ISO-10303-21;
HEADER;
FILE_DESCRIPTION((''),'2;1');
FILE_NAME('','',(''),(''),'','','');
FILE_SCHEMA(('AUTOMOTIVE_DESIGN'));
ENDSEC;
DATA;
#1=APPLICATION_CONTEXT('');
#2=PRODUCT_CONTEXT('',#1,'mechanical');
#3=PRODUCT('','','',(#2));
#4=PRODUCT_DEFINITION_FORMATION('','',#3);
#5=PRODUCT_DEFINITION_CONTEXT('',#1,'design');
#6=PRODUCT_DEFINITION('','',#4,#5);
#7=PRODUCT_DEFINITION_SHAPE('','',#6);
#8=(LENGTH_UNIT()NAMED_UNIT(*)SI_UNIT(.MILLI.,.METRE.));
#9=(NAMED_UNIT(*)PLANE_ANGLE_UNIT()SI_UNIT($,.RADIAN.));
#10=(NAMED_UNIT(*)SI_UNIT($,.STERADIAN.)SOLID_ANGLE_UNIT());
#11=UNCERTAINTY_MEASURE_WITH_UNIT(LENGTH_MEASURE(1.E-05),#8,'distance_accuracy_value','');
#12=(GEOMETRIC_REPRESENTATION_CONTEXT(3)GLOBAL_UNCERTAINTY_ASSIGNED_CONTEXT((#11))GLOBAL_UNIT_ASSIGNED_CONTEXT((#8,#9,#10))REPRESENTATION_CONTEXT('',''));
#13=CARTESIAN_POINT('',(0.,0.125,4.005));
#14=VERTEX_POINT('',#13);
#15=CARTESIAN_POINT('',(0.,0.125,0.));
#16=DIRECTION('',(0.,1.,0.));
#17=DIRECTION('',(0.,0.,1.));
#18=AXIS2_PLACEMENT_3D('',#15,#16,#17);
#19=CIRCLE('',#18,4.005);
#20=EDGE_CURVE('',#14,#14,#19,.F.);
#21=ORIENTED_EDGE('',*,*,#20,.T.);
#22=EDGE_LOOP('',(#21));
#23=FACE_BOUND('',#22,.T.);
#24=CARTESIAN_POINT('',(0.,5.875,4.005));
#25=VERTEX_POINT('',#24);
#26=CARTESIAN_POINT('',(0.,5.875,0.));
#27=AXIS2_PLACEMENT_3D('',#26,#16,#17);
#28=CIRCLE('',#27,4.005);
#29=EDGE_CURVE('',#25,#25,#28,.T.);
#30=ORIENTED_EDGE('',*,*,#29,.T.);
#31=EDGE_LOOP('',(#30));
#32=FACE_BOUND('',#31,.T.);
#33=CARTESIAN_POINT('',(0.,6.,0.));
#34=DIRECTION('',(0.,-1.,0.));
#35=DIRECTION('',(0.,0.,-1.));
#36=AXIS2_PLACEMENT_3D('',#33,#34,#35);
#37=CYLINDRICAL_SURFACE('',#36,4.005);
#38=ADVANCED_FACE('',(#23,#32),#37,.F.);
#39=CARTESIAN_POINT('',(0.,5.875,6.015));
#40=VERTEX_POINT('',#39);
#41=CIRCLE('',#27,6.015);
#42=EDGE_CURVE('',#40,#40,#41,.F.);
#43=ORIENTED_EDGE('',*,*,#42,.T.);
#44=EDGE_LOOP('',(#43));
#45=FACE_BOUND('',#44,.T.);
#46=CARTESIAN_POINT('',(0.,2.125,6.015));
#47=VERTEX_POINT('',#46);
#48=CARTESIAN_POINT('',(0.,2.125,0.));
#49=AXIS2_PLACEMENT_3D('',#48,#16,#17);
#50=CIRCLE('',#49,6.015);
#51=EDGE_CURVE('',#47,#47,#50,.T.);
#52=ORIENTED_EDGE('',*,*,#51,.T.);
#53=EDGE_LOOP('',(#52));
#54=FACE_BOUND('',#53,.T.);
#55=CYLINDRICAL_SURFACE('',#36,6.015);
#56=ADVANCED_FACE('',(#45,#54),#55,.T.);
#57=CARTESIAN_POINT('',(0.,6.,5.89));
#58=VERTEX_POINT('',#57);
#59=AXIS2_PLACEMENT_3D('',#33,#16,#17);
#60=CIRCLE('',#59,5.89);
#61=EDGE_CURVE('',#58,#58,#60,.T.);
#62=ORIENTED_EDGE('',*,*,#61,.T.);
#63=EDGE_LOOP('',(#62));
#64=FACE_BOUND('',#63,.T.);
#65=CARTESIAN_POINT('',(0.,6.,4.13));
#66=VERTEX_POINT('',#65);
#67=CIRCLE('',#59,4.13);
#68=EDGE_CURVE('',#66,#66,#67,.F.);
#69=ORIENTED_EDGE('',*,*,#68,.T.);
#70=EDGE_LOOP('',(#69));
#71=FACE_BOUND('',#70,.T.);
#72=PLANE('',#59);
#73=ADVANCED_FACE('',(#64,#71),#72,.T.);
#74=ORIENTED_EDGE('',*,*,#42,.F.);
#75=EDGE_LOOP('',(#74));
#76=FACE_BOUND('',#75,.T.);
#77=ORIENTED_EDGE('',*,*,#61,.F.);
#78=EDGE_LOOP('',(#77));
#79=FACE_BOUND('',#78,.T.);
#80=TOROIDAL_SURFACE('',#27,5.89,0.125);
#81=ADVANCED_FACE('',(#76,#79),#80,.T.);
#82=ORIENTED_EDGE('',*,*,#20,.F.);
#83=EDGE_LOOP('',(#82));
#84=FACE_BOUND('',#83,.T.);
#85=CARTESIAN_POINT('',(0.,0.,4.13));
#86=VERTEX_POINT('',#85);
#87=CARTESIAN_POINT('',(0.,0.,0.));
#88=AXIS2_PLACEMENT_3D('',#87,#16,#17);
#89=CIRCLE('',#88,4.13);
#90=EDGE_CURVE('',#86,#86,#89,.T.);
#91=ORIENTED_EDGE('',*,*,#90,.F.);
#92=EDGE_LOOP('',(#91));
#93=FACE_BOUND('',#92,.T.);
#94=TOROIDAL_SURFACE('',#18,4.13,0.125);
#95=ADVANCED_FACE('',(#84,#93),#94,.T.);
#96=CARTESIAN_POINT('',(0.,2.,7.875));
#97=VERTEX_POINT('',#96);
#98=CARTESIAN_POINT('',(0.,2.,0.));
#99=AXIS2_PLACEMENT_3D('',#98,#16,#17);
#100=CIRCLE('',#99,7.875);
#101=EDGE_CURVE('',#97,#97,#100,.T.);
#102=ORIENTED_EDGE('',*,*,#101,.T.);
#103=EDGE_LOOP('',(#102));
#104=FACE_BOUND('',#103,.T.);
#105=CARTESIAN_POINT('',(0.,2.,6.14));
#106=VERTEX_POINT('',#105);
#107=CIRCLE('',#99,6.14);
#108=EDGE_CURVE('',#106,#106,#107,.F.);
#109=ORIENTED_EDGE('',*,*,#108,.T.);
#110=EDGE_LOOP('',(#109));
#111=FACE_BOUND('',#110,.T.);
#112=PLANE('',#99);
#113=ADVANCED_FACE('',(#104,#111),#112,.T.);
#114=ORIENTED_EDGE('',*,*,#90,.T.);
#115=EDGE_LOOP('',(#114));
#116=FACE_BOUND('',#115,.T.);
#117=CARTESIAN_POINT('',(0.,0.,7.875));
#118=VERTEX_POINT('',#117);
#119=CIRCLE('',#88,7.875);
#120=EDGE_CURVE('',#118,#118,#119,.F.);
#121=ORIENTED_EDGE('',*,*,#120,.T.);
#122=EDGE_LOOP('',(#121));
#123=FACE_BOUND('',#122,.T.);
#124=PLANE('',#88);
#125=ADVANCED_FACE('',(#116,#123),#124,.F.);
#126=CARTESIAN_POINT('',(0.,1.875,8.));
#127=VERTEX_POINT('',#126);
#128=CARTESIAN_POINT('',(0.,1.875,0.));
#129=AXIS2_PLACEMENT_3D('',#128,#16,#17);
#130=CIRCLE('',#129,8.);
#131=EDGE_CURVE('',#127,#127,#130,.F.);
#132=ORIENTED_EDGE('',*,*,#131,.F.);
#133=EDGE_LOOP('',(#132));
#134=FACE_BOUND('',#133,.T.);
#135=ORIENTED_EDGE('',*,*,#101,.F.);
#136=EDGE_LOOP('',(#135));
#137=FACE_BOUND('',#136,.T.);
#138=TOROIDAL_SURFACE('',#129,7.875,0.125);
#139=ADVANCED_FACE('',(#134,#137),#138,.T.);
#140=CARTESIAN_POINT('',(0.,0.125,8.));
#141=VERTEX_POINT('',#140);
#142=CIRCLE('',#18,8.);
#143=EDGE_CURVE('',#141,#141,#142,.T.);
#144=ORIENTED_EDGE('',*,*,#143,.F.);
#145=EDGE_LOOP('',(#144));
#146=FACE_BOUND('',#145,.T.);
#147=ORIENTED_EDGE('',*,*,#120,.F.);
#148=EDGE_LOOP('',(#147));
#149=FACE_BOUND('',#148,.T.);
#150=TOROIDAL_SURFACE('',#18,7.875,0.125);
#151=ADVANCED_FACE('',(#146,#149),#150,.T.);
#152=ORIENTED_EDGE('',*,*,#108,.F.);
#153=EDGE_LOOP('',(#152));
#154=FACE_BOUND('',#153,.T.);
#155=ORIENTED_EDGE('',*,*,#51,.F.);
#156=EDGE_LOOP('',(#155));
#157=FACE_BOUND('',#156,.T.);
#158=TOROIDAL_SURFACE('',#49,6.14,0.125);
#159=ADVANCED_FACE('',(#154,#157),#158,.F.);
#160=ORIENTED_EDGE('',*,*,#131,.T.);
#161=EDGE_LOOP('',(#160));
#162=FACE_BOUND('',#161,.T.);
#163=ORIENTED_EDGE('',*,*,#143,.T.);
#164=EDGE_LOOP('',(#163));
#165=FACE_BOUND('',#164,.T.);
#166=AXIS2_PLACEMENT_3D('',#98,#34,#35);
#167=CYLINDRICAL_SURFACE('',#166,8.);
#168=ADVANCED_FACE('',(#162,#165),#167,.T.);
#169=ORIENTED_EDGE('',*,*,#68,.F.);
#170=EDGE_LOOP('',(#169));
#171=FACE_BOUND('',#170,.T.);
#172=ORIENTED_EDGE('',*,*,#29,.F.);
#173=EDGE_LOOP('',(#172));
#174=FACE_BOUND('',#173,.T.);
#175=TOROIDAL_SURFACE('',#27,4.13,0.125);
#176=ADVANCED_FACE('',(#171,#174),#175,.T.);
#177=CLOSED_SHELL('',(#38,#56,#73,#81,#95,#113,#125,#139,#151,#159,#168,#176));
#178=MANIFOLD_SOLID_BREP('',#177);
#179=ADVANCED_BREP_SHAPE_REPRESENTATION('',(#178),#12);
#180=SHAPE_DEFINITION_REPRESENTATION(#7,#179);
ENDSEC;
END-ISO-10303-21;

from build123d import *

# Parameters (mm, degrees)
SKETCH3_R           = 6.015
SKETCH3_R_2         = 4.005
BOSS_EXTRUDE1_DEPTH = 6
SKETCH4_R           = 8
SKETCH4_R_2         = 6.015
BOSS_EXTRUDE2_DEPTH = 2
FILLET1_R           = 0.125


with BuildPart() as part:
    # Sketch3 → Boss-Extrude1 (new body)
    with BuildSketch(Plane(origin=(0, 0, 0), x_dir=(1, 0, 0), z_dir=(0, 1, 0))):
        Circle(SKETCH3_R)
        Circle(SKETCH3_R_2, mode=Mode.SUBTRACT)
    extrude(amount=BOSS_EXTRUDE1_DEPTH)

    # Sketch4 → Boss-Extrude2 (add)
    with BuildSketch(Plane(origin=(0, 0, 0), x_dir=(1, 0, 0), z_dir=(0, 1, 0))):
        Circle(SKETCH4_R)
        Circle(SKETCH4_R_2, mode=Mode.SUBTRACT)
    extrude(amount=BOSS_EXTRUDE2_DEPTH)

    # Fillet1
    fillet1_edges = [part.edges().sort_by_distance(p)[0] for p in [
        (-8, 0, 0),
        (-6.015, 2, 0),
        (-6.015, 6, 0),
        (-4.005, 0, 0),
        (-4.005, 6, 0),
        (-8, 2, 0),
    ]]
    fillet(fillet1_edges, radius=FILLET1_R)


solid = part.part
